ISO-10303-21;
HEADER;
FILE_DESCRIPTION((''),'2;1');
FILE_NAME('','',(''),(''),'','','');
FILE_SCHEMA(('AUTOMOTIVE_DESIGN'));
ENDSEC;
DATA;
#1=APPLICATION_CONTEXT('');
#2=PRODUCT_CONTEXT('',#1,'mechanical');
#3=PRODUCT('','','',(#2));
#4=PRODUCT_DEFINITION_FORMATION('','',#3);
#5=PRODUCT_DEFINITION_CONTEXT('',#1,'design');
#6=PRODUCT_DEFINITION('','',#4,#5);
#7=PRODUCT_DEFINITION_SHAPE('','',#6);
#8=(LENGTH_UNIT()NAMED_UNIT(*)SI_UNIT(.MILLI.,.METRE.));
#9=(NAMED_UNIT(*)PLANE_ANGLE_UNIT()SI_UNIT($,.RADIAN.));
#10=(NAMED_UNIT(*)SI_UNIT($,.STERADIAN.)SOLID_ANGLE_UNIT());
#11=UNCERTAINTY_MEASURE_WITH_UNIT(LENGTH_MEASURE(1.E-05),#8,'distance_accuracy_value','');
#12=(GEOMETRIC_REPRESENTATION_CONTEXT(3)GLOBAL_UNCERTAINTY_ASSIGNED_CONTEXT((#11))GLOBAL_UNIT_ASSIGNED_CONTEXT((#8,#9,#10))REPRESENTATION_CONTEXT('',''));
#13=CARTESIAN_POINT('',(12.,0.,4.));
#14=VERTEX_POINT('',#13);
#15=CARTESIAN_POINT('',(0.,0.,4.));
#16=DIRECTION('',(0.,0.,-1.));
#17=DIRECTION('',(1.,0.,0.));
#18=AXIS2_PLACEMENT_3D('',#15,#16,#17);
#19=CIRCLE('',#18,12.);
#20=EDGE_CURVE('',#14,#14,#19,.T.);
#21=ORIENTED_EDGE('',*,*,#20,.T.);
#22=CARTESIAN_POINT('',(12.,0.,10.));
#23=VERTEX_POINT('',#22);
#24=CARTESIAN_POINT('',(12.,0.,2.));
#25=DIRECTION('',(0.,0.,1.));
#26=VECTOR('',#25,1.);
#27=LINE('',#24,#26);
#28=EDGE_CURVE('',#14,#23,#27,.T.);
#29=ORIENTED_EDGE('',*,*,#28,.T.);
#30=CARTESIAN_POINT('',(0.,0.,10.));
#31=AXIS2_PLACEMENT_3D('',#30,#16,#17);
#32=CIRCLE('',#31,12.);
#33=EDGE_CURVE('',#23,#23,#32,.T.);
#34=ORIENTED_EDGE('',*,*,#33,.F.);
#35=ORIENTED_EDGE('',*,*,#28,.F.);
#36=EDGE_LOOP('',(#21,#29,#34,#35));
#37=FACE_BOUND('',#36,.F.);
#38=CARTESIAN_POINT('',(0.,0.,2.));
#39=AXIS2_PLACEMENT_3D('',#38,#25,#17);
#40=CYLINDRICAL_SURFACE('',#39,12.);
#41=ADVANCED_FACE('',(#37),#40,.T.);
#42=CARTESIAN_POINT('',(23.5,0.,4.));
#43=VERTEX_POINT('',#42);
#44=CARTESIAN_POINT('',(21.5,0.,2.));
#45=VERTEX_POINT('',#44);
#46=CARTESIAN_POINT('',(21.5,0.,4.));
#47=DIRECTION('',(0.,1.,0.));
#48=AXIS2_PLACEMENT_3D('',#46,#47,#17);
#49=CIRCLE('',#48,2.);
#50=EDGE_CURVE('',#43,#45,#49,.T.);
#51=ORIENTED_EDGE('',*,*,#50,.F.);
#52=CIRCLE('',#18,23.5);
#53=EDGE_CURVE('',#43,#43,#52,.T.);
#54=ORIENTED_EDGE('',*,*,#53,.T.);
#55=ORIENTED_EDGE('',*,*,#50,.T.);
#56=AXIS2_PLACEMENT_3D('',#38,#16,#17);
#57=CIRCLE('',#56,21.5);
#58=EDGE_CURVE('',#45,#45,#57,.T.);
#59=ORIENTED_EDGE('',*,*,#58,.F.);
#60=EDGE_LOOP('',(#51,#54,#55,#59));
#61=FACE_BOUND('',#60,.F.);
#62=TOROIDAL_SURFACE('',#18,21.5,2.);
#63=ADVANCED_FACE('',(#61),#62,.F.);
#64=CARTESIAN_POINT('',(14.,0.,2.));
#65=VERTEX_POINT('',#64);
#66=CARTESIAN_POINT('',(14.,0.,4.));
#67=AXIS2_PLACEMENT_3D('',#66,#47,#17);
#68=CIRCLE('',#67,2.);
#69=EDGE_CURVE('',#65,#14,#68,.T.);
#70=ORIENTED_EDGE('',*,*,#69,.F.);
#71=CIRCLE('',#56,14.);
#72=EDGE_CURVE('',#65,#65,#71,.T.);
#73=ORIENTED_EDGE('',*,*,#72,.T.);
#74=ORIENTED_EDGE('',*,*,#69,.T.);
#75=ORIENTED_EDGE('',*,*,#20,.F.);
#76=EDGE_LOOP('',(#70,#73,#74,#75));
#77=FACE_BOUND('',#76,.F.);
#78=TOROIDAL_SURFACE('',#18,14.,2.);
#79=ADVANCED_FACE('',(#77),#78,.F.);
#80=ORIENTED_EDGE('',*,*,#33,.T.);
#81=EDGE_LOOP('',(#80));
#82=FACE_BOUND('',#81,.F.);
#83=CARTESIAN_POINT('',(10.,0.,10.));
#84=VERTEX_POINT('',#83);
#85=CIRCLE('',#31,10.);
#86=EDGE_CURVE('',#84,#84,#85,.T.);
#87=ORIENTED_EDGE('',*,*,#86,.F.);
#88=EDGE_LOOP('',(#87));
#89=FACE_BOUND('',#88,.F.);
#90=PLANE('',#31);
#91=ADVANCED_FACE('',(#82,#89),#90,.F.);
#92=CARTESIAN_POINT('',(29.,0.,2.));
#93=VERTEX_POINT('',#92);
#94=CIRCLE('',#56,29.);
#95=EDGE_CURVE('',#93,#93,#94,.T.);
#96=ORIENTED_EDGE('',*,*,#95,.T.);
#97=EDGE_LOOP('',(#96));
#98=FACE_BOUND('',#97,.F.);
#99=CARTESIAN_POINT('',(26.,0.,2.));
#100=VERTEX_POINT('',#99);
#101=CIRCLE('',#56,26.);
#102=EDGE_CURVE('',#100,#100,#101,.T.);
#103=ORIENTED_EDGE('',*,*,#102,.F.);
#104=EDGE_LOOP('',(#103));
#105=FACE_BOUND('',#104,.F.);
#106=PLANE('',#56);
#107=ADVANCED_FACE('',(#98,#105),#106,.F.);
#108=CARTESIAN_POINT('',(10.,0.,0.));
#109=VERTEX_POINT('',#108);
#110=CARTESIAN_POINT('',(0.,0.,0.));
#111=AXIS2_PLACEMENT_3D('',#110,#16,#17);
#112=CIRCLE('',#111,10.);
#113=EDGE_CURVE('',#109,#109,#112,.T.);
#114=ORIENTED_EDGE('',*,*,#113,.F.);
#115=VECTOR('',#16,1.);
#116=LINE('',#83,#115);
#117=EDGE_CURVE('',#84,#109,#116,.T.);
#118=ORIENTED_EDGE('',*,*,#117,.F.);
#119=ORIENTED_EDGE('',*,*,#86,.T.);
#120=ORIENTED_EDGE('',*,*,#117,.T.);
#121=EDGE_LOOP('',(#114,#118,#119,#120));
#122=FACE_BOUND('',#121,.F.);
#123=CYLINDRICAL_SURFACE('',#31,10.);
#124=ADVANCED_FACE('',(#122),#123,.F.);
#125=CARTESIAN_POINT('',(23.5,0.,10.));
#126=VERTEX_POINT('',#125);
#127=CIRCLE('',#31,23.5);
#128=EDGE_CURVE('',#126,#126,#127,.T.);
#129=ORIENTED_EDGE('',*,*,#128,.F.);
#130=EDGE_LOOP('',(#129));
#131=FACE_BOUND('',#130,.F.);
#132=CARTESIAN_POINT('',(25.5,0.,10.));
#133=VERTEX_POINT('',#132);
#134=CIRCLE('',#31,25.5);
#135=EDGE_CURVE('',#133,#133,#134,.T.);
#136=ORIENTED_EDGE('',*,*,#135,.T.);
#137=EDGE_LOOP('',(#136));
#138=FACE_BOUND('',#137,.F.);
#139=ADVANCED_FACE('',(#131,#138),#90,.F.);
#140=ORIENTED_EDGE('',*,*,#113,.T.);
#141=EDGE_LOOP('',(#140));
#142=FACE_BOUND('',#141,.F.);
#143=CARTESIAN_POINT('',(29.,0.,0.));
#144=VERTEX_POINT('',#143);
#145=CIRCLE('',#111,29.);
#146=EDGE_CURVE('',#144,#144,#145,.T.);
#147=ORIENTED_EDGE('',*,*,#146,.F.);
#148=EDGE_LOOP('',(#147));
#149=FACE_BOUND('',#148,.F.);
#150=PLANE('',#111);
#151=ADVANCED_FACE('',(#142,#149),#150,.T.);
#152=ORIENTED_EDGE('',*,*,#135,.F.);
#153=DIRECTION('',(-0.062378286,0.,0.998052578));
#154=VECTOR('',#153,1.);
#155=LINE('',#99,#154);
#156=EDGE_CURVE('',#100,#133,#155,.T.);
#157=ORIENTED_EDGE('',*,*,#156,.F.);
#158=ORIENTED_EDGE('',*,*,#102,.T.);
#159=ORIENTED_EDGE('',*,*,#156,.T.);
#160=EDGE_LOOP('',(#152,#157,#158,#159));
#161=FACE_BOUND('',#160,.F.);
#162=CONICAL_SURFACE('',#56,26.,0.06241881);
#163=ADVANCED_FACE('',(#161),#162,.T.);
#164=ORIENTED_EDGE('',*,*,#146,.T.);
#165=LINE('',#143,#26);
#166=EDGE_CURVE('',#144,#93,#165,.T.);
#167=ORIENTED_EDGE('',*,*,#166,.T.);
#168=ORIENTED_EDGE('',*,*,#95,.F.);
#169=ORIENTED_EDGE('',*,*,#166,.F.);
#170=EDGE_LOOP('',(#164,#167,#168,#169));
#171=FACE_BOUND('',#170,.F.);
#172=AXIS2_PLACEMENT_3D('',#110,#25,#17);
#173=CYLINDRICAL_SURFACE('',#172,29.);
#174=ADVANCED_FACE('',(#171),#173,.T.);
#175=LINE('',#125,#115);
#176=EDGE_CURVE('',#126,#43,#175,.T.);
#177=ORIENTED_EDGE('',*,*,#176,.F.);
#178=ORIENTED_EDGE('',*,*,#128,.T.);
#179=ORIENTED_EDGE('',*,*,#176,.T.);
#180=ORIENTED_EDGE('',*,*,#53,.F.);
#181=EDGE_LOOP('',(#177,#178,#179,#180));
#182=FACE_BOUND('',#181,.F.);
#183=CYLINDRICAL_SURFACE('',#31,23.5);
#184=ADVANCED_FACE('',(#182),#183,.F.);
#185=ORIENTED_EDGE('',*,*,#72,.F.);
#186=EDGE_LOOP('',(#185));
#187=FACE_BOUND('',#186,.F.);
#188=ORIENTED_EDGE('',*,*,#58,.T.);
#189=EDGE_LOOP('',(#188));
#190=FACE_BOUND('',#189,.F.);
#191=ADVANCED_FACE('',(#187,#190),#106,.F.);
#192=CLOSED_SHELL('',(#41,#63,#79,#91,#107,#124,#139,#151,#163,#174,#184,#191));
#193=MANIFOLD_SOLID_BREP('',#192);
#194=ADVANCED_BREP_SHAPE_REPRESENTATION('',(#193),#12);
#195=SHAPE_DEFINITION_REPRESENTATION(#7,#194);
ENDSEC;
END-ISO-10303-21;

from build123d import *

# Parameters (mm, degrees)
F2_R = 2


with BuildPart() as f1:
    # F0 (on Front) → F1 (revolve)
    with BuildSketch(Plane.XZ):
        Polygon((12, 10), (10, 10), (10, 0), (29, 0), (29, 2), (26, 2), (25.5, 10), (23.5, 10), (23.5, 2), (12, 2), align=None)
    revolve(axis=Axis((0, 0, 23.204782), (0, 0, -1)))

    # F2
    f2_edges = [f1.edges().sort_by_distance(p)[0] for p in [
        (-12, 0, 2),
        (-23.5, 0, 2),
    ]]
    fillet(f2_edges, radius=F2_R)


solid = f1.part
